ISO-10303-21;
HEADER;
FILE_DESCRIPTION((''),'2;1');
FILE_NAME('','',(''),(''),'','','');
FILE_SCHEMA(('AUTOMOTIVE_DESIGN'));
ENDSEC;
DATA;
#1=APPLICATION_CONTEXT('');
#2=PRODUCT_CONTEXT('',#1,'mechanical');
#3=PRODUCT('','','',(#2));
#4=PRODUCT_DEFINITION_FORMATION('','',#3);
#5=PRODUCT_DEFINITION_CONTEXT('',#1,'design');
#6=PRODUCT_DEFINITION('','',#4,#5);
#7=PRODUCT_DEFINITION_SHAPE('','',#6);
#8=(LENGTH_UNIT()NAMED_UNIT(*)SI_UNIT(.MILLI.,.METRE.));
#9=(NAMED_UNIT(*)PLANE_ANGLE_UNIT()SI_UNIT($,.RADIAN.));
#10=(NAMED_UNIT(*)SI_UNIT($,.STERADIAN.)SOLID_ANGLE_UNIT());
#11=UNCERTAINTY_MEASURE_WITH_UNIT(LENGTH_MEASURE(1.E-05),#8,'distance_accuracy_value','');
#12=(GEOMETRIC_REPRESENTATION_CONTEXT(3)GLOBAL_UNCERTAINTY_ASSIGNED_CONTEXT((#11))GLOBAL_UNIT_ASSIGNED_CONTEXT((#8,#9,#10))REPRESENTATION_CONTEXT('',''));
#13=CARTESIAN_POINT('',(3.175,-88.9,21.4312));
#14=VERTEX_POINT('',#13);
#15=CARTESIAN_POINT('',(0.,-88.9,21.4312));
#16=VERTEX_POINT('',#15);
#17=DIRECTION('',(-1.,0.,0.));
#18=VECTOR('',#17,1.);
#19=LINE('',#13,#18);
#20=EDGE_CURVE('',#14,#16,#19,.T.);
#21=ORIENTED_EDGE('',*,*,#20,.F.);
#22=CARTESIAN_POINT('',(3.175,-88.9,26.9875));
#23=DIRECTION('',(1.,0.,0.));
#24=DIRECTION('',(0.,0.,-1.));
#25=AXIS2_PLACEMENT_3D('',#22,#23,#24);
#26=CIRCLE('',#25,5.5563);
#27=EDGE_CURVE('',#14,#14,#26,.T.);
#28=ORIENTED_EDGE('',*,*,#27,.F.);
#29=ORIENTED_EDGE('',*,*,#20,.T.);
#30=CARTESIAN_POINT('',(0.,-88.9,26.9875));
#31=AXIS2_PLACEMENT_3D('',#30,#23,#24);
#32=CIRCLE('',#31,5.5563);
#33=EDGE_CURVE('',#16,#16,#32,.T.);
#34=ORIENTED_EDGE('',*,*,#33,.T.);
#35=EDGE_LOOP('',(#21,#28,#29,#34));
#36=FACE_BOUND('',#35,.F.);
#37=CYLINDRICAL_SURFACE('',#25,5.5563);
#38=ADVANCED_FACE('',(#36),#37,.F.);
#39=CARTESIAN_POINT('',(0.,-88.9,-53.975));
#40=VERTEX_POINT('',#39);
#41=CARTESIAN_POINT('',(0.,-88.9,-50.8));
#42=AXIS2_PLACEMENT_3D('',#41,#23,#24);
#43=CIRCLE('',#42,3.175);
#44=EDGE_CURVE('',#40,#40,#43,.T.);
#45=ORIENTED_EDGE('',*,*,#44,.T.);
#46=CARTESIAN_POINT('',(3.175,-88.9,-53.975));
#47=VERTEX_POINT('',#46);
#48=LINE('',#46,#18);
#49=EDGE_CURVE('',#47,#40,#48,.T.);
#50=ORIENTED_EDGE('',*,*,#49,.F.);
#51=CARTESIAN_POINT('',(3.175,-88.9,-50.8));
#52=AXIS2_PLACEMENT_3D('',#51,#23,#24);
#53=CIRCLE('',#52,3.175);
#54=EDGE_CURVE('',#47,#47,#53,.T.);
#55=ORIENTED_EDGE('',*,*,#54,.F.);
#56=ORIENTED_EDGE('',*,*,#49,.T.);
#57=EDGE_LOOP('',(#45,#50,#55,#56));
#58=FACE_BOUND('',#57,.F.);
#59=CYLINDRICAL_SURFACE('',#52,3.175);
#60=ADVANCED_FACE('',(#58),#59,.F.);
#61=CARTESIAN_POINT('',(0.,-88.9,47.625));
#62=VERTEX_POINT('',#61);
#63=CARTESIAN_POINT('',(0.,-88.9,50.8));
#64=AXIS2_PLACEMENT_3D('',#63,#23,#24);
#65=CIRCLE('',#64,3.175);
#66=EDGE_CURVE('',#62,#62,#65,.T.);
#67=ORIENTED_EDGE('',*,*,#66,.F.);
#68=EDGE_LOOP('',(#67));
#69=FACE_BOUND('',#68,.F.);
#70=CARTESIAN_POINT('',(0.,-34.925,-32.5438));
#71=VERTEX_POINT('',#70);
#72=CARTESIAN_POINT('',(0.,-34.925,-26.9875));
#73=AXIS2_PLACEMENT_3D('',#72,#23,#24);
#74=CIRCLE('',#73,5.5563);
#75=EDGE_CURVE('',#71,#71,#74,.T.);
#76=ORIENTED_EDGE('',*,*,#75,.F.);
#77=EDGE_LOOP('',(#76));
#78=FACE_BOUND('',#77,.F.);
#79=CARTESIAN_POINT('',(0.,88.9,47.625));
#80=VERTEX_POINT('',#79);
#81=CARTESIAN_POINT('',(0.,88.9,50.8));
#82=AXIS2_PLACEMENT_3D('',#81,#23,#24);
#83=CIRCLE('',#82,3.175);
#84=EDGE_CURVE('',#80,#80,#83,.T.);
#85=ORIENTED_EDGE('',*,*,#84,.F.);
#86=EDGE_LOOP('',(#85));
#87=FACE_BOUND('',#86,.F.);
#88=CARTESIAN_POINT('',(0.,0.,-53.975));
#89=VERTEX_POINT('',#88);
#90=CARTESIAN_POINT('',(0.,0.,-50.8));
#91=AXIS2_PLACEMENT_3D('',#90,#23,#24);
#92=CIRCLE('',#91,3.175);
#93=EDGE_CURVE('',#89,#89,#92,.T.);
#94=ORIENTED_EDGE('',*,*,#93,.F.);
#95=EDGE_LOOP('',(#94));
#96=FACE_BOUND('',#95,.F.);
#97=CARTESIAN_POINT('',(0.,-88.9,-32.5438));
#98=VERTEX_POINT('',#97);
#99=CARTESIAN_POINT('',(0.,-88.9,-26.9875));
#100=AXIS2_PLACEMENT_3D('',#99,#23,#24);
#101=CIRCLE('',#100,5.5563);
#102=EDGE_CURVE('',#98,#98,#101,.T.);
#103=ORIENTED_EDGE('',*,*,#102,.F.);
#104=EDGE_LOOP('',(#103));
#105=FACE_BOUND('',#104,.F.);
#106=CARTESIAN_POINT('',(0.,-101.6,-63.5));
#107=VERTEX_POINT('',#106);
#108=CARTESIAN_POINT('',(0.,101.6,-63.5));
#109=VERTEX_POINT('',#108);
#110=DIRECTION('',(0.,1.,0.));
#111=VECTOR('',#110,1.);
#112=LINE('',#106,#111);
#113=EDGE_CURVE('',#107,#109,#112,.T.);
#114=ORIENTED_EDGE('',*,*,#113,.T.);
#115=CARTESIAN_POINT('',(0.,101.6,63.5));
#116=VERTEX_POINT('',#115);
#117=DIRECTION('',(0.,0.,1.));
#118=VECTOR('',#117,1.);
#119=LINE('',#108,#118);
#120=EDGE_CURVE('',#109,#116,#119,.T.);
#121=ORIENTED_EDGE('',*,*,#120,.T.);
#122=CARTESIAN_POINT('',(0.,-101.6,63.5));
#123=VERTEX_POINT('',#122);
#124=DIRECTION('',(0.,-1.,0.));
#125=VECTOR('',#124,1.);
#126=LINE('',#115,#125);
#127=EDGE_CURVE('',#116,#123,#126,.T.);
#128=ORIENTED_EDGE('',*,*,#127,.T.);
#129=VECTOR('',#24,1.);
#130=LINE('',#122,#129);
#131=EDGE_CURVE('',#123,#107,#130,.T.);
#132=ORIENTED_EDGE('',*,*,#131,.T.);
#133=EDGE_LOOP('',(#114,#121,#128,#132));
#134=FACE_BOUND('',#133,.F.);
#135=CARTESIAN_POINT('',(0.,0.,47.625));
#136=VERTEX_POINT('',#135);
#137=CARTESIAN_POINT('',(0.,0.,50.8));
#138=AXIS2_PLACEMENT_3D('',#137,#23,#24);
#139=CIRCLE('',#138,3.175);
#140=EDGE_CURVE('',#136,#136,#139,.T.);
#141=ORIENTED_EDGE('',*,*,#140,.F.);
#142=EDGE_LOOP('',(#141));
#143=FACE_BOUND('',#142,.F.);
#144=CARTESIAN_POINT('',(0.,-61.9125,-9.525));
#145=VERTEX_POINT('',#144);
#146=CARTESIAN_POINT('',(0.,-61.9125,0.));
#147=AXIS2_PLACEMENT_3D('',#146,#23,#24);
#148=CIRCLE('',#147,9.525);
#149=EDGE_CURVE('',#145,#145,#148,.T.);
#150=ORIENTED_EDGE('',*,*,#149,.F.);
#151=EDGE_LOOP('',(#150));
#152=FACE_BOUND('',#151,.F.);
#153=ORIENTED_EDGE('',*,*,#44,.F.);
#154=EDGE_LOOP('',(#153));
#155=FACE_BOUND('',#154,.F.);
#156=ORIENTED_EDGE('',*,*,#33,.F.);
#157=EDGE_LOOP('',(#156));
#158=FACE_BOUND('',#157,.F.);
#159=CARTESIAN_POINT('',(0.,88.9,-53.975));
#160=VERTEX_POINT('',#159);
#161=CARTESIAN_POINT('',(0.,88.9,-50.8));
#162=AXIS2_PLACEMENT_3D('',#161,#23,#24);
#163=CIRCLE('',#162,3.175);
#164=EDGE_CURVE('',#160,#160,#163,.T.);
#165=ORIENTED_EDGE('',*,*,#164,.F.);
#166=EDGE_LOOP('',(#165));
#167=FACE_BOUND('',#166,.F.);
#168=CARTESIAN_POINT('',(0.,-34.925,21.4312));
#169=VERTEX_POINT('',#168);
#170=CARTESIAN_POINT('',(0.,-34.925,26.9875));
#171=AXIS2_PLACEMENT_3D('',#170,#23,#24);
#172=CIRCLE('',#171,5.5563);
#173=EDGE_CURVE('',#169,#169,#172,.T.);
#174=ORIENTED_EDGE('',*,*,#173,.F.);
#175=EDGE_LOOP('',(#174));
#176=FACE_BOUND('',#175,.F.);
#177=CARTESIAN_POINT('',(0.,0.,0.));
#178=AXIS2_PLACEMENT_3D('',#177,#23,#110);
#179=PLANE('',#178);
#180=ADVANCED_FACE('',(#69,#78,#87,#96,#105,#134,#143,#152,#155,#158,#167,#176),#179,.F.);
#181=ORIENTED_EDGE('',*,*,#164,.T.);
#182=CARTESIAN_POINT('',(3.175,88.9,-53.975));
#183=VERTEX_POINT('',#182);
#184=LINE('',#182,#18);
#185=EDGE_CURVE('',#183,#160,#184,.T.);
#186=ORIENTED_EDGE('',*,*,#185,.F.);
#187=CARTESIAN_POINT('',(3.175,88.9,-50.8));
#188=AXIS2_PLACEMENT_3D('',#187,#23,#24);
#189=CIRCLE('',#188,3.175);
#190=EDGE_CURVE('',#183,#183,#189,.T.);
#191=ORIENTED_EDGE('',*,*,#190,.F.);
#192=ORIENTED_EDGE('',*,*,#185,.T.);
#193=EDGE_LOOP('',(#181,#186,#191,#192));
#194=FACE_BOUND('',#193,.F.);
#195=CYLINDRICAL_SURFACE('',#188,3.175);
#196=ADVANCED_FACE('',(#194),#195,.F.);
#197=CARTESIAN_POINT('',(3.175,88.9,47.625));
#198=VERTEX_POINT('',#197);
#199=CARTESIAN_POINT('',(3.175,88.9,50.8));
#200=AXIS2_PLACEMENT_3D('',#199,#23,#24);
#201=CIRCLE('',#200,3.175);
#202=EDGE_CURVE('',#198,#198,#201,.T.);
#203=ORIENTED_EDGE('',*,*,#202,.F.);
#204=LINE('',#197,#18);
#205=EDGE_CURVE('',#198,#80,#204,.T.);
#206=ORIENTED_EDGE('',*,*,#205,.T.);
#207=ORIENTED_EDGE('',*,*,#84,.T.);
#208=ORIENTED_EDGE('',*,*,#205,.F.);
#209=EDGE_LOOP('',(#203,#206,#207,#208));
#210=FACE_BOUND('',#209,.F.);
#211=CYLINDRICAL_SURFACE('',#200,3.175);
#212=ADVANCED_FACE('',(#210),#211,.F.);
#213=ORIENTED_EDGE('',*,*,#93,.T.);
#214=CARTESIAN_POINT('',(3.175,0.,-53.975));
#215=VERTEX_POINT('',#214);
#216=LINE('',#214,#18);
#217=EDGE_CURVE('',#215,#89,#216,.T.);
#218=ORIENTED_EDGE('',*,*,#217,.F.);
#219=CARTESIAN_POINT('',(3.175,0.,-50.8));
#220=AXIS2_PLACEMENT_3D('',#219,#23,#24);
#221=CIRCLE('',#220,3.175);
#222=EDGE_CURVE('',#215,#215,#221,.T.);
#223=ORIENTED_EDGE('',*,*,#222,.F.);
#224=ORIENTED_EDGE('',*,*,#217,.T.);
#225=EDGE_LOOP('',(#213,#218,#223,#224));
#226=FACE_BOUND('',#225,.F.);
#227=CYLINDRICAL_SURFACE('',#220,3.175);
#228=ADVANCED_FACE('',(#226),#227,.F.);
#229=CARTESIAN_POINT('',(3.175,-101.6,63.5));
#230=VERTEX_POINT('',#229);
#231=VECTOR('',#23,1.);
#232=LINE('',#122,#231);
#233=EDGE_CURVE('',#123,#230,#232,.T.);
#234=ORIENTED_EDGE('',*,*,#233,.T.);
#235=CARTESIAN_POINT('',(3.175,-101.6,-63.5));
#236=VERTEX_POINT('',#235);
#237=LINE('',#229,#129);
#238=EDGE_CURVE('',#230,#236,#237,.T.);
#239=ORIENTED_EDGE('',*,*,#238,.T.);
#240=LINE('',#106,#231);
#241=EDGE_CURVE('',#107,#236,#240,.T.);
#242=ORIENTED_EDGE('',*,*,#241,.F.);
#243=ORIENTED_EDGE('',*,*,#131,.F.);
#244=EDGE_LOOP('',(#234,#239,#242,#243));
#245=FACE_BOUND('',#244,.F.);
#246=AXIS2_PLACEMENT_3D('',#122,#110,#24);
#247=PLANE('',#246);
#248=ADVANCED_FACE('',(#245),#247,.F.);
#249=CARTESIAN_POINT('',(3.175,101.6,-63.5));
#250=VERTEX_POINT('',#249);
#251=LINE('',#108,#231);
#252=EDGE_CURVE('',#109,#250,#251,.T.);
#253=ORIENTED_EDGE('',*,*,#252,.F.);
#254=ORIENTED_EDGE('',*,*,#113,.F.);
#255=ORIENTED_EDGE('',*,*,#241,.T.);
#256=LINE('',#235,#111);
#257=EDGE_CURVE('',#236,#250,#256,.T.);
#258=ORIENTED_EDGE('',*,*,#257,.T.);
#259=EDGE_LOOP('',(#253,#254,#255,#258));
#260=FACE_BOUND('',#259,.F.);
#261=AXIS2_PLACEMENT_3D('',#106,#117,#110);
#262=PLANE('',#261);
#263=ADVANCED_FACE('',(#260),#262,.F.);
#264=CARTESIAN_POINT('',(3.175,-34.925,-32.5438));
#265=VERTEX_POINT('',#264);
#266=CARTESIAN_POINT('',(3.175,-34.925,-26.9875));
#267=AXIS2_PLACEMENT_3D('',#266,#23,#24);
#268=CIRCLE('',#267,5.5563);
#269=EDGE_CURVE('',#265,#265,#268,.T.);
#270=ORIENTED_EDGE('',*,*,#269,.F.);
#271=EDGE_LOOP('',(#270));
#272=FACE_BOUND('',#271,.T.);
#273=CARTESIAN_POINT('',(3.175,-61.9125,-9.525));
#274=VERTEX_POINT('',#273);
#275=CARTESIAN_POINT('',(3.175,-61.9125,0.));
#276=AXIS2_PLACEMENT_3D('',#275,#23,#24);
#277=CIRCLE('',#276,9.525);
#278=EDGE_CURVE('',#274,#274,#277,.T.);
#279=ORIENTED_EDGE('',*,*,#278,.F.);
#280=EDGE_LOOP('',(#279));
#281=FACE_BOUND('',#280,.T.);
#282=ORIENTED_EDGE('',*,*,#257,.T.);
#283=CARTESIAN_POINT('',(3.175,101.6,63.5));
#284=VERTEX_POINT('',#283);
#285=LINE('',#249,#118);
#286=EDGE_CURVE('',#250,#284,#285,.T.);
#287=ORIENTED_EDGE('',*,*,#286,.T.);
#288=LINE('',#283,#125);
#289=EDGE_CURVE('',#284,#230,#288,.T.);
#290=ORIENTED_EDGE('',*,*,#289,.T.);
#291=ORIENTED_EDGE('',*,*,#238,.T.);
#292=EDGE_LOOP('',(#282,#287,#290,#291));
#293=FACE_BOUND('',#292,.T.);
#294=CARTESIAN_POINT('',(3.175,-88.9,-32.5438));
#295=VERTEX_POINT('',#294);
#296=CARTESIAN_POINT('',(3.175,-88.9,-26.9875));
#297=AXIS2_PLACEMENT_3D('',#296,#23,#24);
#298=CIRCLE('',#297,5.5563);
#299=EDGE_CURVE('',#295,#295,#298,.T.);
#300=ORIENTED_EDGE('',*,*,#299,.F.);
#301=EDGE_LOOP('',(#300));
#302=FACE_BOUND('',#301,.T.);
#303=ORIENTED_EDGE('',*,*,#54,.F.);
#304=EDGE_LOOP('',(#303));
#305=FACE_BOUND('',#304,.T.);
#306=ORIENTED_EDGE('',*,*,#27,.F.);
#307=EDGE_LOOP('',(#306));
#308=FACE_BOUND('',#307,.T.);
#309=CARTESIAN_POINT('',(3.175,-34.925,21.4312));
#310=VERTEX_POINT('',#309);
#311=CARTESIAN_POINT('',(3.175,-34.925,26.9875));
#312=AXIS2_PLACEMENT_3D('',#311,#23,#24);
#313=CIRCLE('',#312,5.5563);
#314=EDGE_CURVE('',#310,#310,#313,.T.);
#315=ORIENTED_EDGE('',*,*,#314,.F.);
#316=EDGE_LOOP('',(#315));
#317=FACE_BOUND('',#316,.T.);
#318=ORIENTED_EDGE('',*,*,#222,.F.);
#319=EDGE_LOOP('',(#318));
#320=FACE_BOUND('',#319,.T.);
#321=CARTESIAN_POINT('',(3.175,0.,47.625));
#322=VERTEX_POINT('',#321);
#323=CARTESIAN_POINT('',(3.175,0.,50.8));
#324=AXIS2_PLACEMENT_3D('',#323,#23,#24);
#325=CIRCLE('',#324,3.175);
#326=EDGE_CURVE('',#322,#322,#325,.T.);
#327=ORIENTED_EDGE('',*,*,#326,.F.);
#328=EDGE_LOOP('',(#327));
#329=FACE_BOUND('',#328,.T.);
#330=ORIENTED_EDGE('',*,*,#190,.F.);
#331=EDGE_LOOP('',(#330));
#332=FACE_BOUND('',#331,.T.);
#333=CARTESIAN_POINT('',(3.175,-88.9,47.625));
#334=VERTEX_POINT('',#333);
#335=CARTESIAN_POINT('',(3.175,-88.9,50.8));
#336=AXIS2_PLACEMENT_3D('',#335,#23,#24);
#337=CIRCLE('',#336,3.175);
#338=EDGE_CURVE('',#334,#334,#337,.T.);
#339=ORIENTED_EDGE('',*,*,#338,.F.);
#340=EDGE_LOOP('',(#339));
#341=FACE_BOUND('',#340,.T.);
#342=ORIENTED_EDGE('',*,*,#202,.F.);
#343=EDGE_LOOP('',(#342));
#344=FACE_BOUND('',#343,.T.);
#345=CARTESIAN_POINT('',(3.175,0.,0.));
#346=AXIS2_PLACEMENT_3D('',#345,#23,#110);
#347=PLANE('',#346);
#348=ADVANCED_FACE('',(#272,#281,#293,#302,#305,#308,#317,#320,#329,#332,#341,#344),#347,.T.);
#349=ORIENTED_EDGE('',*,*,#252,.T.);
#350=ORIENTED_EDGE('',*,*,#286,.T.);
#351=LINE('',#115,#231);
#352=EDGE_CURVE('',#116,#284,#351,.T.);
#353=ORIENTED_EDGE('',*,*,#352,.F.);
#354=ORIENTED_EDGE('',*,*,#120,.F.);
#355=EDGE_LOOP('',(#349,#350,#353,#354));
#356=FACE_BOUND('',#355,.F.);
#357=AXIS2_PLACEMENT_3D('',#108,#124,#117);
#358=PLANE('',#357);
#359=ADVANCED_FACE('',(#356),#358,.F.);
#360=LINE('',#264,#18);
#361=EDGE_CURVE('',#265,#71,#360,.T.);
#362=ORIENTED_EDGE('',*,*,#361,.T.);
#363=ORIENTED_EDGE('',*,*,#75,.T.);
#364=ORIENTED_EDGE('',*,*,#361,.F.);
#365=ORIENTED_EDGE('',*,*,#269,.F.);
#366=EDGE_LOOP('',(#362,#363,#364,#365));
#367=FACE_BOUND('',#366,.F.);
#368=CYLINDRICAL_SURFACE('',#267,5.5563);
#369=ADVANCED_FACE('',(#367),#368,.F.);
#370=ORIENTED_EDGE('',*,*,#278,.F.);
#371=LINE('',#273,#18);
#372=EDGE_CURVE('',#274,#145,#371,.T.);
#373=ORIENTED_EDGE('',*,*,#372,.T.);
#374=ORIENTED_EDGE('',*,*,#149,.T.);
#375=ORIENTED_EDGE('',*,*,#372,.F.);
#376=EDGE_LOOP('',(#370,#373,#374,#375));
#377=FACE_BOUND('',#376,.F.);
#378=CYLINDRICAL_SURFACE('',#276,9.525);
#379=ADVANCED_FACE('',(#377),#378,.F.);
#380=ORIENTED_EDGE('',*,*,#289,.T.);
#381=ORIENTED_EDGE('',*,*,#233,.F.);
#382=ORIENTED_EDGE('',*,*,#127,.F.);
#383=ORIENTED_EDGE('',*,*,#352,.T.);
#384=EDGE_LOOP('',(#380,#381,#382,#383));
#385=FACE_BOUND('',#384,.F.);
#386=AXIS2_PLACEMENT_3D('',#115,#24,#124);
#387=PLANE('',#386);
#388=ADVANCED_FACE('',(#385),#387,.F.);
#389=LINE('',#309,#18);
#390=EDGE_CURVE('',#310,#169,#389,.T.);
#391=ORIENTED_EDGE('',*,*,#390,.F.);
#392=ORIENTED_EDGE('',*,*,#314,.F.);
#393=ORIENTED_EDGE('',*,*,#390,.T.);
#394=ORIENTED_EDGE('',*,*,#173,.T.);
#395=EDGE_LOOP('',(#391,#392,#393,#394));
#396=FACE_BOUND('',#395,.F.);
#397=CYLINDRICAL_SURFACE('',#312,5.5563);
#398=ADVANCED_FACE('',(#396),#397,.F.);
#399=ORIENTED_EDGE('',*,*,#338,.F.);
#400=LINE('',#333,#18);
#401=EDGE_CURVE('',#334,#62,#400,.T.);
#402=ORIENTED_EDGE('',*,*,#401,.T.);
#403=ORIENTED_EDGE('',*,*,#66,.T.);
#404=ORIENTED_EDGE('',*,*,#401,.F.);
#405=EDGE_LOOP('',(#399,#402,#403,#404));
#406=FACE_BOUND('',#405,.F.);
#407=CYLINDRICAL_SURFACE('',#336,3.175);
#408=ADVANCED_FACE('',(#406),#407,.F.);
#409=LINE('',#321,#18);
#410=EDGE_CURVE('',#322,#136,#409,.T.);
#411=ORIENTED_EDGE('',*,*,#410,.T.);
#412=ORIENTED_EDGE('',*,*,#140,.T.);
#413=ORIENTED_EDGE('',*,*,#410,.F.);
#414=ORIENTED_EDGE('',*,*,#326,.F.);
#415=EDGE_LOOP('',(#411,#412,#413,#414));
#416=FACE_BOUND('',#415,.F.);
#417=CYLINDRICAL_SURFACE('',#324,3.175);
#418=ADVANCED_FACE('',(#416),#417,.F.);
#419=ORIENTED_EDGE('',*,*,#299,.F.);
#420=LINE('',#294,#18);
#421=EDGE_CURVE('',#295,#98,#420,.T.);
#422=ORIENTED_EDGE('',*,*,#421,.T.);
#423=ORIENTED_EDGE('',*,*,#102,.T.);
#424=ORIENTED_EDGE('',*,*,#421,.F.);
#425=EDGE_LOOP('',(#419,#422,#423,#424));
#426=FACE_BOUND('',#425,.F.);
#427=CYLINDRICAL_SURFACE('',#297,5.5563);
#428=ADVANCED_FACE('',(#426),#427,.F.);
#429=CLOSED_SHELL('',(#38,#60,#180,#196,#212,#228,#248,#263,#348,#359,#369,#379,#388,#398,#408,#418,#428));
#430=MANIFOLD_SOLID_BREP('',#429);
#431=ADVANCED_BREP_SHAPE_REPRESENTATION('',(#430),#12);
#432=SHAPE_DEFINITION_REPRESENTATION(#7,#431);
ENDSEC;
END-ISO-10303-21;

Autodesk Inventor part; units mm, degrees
ref_plane "YZ Plane" through (0, 0, 0) normal (1, 0, 0) x (0, 1, 0)
ref_plane "XZ Plane" through (0, 0, 0) normal (0, 1, 0) x (-1, 0, 0)
ref_plane "XY Plane" through (0, 0, 0) normal (0, 0, 1) x (1, 0, 0)
sketch "Sketch1" plane through (0, 0, 0) normal (1, 0, 0) x (0, 1, 0)
  line L0 (0, -88.9) -> (0, 88.9) construction
  line L1 (-142.24, 0) -> (142.24, 0) construction
  line L2 (101.6, 63.5) -> (-101.6, 63.5)
  line L3 (-101.6, 63.5) -> (-101.6, -63.5)
  line L4 (-101.6, -63.5) -> (101.6, -63.5)
  line L5 (101.6, -63.5) -> (101.6, 63.5)
  point P0 (0, 0)
  point P1 (0, 63.5)
  point P2 (101.6, 0)
  dimension "d0" = 203.2
  dimension "d1" = 127
extrude "Extrusion1" add sketch "Sketch1" along normal blind 3.175
sketch "Sketch2" plane through (3.175, 0, 0) normal (1, 0, 0) x (0, 0, -1)
  line L0 (88.9, 0) -> (-88.9, 0) construction
  line L1 (0, -142.24) -> (0, 142.24) construction
  line L2 (-38.1, -23.8125) -> (38.1, -23.8125) construction
  line L3 (38.1, -23.8125) -> (38.1, -100.0125) construction
  line L4 (38.1, -100.0125) -> (-38.1, -100.0125) construction
  line L5 (-38.1, -100.0125) -> (-38.1, -23.8125) construction
  line L6 (-26.9875, -34.925) -> (26.9875, -34.925) construction
  line L7 (26.9875, -34.925) -> (26.9875, -88.9) construction
  line L8 (26.9875, -88.9) -> (-26.9875, -88.9) construction
  line L9 (-26.9875, -88.9) -> (-26.9875, -34.925) construction
  line L10 (-38.1, -61.9125) -> (38.1, -61.9125) construction
  circle A0 centre (-26.9875, -34.925) radius 5.5563
  circle A1 centre (26.9875, -34.925) radius 5.5563
  circle A2 centre (-26.9875, -88.9) radius 5.5563
  circle A3 centre (26.9875, -88.9) radius 5.5563
  line L11 (-63.5, -101.6) -> (63.5, -101.6) construction
  circle A4 centre (0, -61.9125) radius 9.525
  point P0 (0, 0)
  point P1 (0, -23.8125)
  point P2 (0, -34.925)
  point P3 (-26.9875, -61.9125)
  dimension "d4" = 76.2
  dimension "d5" = 53.975
  dimension "d6" = 11.1125
  dimension "d8" = 19.05
  dimension "d29" = 12.7
extrude "Extrusion2" cut sketch "Sketch2" against normal through all
sketch "Sketch4" plane through (3.175, 0, 0) normal (1, 0, 0) x (0, 0, -1)
  line L0 (88.9, 0) -> (-88.9, 0) construction
  line L1 (0, -144.4625) -> (0, 144.4625) construction
  line L2 (-63.5, 101.6) -> (-38.1, 101.6) construction
  line L3 (-38.1, 101.6) -> (-38.1, -101.6) construction
  line L4 (-38.1, -101.6) -> (-63.5, -101.6) construction
  line L5 (-63.5, -101.6) -> (-63.5, 101.6) construction
  line L6 (-50.8, 101.6) -> (-50.8, -101.6) construction
  line L7 (-38.1, 76.2) -> (-63.5, 76.2) construction
  line L8 (-38.1, 88.9) -> (-63.5, 88.9) construction
  circle A0 centre (-50.8, 88.9) radius 3.175
  circle A1 centre (-50.8, 0) radius 3.175
  circle A2 centre (-50.8, -88.9) radius 3.175
  circle A3 centre (50.8, 88.9) radius 3.175
  circle A4 centre (50.8, 0) radius 3.175
  circle A5 centre (50.8, -88.9) radius 3.175
  point P0 (0, 0)
  dimension "d30" = 25.4
  dimension "d31" = 25.4
  dimension "d32" = 6.35
extrude "Extrusion4" cut sketch "Sketch4" against normal through all
properties part number "Lateral Plate" material "Aluminum 6061"
